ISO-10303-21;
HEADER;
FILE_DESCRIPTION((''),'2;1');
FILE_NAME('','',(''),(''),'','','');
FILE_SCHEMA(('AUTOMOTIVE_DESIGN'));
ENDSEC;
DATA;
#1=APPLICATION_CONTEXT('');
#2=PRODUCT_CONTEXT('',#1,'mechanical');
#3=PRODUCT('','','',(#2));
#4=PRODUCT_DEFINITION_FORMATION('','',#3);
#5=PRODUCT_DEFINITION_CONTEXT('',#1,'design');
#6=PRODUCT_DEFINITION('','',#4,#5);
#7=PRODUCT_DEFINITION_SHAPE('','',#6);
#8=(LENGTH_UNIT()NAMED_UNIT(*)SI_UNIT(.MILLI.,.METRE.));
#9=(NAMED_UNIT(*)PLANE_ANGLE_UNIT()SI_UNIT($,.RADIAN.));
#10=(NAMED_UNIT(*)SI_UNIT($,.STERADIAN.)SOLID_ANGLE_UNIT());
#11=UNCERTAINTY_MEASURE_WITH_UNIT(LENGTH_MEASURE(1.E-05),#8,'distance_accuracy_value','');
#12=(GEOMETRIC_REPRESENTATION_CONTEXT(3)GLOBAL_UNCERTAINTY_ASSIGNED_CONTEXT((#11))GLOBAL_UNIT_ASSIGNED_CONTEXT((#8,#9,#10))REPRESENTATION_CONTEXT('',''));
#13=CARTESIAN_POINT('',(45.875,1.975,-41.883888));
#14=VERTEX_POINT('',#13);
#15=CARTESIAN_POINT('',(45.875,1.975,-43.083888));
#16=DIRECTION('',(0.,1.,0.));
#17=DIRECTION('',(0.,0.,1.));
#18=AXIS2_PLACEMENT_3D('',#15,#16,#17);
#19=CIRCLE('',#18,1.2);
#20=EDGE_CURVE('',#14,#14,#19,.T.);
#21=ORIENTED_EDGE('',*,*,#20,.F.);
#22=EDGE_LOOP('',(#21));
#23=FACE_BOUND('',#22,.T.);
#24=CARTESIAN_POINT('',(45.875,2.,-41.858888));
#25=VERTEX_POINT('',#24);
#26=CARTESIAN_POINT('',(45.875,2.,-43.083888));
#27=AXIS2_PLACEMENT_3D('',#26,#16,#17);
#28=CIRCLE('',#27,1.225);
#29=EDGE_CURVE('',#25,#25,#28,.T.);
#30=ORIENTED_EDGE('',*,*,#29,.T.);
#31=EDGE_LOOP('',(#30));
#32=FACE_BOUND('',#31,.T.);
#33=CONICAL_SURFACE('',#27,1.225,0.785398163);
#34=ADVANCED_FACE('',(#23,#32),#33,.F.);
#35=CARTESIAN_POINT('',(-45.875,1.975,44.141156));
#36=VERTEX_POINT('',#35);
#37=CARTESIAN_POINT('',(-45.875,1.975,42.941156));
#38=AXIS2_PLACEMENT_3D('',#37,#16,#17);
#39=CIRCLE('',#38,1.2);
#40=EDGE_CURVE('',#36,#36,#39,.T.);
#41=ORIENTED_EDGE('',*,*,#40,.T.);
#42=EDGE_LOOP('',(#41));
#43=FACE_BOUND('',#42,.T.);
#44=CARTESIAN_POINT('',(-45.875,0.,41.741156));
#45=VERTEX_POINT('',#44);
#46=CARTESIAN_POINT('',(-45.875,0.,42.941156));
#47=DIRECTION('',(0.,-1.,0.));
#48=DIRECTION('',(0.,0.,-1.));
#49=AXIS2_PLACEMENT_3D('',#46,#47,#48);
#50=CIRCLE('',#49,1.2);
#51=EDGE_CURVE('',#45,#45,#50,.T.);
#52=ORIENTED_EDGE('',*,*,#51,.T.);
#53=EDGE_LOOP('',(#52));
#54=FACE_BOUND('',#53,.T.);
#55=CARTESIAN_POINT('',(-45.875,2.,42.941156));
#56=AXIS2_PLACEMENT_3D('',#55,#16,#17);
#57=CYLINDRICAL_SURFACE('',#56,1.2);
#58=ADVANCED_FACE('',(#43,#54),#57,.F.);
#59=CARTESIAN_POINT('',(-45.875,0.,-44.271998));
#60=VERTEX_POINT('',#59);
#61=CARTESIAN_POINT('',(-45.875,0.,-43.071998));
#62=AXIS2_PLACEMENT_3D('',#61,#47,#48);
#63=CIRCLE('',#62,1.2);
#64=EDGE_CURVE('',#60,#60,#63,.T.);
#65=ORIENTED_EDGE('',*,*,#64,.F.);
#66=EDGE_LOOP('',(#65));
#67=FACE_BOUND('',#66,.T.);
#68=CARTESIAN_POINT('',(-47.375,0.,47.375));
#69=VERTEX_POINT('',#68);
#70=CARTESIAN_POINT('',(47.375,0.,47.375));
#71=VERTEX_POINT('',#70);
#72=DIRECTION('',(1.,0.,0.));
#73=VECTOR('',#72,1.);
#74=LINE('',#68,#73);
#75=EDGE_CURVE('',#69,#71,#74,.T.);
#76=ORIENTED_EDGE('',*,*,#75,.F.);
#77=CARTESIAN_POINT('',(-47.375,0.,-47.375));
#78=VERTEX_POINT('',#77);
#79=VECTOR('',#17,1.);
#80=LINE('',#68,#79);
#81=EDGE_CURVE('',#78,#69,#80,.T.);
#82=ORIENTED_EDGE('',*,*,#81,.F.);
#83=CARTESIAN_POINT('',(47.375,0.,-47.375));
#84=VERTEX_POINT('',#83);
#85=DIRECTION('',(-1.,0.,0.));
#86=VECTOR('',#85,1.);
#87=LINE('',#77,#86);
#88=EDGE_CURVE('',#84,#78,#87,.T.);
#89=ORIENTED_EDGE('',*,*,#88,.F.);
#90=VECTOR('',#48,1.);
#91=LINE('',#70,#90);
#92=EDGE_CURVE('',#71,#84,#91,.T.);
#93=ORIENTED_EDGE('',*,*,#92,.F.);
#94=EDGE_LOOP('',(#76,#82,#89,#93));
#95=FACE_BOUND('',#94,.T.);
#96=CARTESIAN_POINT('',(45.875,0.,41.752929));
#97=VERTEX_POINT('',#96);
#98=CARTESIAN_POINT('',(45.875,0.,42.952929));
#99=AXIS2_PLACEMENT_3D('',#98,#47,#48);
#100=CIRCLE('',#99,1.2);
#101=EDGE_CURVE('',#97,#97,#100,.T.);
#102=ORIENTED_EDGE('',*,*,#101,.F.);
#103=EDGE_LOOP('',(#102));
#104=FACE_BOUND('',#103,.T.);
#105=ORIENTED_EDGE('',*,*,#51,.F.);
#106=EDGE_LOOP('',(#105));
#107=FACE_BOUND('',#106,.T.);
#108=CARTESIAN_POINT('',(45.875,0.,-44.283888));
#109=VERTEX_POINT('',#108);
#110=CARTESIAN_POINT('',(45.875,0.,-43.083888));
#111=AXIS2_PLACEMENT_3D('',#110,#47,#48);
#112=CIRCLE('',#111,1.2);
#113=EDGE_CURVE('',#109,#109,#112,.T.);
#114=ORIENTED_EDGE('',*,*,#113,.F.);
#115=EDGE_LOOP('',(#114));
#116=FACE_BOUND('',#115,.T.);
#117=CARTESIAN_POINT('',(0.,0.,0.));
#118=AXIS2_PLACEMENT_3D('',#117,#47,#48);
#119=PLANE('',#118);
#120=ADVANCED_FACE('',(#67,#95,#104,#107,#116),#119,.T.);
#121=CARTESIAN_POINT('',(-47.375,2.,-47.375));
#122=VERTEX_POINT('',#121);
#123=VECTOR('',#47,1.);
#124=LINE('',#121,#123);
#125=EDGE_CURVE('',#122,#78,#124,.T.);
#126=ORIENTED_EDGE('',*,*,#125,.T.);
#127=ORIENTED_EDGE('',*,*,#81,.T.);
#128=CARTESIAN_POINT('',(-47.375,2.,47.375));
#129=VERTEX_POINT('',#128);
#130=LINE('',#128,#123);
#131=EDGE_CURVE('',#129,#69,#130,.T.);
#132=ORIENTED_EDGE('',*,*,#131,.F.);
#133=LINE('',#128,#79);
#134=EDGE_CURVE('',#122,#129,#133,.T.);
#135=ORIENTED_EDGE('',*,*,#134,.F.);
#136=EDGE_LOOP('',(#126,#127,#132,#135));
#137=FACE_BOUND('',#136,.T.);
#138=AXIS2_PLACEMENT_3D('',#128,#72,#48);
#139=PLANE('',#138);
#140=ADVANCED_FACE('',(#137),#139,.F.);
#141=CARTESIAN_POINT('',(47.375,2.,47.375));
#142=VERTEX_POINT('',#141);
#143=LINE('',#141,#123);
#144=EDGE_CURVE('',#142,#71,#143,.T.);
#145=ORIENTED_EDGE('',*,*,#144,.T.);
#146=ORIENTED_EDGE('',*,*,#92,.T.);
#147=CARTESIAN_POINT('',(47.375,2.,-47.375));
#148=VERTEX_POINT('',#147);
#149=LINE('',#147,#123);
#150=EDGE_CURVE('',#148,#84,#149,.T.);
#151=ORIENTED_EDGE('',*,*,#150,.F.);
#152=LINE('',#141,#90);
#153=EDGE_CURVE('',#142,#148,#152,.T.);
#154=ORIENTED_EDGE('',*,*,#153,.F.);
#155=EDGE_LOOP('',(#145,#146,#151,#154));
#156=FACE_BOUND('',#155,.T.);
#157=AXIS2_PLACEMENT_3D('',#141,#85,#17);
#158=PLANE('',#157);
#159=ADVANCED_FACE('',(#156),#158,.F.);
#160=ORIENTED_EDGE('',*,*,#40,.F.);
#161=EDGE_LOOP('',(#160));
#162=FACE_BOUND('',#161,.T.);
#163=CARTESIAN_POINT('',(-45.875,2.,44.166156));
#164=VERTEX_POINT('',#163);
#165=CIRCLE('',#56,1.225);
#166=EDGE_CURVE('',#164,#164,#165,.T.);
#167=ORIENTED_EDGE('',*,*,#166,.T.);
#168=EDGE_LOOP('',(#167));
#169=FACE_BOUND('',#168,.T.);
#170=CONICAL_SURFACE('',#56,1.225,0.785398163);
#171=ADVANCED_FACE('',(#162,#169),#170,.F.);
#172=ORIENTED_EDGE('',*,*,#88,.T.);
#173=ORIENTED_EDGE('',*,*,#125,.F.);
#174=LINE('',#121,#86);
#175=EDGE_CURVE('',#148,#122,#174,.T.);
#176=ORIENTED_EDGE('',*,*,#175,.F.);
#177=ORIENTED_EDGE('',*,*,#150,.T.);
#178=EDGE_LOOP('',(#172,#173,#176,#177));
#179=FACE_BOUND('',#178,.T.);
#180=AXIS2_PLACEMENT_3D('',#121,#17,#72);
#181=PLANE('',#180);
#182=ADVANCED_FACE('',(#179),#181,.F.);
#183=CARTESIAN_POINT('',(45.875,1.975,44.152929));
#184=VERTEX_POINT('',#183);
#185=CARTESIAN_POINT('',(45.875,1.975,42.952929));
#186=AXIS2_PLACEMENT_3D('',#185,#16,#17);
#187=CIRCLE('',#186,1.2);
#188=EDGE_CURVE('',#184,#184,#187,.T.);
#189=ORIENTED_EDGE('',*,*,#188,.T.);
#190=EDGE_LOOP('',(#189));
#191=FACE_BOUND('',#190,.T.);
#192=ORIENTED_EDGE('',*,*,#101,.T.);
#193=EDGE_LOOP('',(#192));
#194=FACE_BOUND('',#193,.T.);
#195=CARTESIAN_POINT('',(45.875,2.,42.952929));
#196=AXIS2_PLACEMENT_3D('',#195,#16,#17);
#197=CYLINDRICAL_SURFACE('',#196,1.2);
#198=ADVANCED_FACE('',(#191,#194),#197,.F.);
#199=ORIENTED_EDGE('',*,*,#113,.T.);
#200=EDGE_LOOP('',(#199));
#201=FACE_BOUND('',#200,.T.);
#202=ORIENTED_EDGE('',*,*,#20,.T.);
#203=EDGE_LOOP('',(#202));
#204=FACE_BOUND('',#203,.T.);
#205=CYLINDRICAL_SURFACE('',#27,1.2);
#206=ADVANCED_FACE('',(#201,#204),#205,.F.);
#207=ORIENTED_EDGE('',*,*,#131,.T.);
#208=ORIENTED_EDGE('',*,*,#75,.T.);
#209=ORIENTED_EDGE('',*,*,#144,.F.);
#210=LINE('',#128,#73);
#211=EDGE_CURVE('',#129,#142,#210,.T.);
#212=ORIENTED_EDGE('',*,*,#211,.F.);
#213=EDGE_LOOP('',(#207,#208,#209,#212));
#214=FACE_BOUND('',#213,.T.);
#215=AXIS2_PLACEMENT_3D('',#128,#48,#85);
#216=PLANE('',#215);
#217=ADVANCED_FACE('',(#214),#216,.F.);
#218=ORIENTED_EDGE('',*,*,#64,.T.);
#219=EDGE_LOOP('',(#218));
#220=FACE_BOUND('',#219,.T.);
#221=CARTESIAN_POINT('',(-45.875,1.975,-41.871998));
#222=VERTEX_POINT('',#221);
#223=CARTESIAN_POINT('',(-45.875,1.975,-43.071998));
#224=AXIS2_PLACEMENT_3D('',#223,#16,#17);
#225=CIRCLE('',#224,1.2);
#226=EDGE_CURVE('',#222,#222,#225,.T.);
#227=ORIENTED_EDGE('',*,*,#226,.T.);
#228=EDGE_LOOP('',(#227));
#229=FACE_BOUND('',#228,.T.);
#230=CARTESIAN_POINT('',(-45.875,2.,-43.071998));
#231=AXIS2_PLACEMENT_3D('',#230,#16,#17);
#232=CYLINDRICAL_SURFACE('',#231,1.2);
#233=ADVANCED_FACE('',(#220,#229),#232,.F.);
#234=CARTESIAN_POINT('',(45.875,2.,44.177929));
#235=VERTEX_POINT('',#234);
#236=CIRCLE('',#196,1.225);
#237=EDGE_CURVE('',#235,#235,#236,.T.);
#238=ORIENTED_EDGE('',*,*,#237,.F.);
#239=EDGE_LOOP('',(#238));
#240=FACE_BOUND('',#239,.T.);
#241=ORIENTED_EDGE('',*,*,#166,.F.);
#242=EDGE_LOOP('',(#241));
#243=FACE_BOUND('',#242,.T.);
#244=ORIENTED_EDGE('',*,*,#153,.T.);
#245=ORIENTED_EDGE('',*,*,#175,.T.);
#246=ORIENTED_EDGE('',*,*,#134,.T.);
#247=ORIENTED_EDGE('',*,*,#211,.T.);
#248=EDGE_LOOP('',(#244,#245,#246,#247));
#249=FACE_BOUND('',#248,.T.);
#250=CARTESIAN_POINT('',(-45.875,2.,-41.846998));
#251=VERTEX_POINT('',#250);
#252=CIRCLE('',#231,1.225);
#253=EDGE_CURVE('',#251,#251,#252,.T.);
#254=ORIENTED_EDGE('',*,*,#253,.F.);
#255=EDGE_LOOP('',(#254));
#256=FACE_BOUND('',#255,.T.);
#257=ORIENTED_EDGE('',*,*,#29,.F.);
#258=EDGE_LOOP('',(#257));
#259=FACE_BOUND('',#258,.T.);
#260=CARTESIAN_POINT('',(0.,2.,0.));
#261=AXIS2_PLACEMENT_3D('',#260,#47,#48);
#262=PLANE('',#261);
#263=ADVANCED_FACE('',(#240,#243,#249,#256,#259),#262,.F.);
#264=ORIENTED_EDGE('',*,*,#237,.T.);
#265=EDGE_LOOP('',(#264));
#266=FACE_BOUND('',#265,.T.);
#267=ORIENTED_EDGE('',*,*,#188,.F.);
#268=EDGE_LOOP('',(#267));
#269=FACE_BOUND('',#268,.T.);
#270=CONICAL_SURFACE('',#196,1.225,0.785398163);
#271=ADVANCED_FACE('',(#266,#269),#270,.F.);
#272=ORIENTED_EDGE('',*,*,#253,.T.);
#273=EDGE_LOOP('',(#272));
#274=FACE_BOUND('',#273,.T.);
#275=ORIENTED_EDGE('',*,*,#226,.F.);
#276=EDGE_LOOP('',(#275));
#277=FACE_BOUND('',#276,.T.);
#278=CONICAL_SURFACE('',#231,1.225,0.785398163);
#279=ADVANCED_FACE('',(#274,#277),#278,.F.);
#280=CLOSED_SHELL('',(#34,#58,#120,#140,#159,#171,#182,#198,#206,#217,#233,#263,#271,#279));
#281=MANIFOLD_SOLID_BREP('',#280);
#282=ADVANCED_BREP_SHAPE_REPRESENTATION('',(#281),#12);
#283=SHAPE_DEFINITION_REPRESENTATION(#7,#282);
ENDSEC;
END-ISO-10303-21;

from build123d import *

# Parameters (mm, degrees)
SKETCH2_W                      = 94.75
SKETCH2_H                      = 94.75
BOSS_EXTRUDE1_DEPTH            = 2
M2_CLEARANCE_HOLE1_D           = 2.4
M2_CLEARANCE_HOLE1_CSINK_D     = 2.45
M2_CLEARANCE_HOLE1_CSINK_ANGLE = 90


with BuildPart() as part:
    # Sketch2 → Boss-Extrude1 (new body)
    with BuildSketch(Plane(origin=(0, 0, 0), x_dir=(1, 0, 0), z_dir=(0, 1, 0))):
        Rectangle(SKETCH2_W, SKETCH2_H)
    extrude(amount=BOSS_EXTRUDE1_DEPTH)

    # M2 Clearance Hole1 (through all)
    with Locations(Plane(origin=(0, 2, 0), x_dir=(1, 0, 0), z_dir=(0, 1, 0))):
        with Locations((45.875, 43.083888437), (-45.875, 43.071998249), (-45.875, -42.94115636), (45.875, -42.952928811)):
            CounterSinkHole(M2_CLEARANCE_HOLE1_D / 2, M2_CLEARANCE_HOLE1_CSINK_D / 2, counter_sink_angle=M2_CLEARANCE_HOLE1_CSINK_ANGLE)


solid = part.part
